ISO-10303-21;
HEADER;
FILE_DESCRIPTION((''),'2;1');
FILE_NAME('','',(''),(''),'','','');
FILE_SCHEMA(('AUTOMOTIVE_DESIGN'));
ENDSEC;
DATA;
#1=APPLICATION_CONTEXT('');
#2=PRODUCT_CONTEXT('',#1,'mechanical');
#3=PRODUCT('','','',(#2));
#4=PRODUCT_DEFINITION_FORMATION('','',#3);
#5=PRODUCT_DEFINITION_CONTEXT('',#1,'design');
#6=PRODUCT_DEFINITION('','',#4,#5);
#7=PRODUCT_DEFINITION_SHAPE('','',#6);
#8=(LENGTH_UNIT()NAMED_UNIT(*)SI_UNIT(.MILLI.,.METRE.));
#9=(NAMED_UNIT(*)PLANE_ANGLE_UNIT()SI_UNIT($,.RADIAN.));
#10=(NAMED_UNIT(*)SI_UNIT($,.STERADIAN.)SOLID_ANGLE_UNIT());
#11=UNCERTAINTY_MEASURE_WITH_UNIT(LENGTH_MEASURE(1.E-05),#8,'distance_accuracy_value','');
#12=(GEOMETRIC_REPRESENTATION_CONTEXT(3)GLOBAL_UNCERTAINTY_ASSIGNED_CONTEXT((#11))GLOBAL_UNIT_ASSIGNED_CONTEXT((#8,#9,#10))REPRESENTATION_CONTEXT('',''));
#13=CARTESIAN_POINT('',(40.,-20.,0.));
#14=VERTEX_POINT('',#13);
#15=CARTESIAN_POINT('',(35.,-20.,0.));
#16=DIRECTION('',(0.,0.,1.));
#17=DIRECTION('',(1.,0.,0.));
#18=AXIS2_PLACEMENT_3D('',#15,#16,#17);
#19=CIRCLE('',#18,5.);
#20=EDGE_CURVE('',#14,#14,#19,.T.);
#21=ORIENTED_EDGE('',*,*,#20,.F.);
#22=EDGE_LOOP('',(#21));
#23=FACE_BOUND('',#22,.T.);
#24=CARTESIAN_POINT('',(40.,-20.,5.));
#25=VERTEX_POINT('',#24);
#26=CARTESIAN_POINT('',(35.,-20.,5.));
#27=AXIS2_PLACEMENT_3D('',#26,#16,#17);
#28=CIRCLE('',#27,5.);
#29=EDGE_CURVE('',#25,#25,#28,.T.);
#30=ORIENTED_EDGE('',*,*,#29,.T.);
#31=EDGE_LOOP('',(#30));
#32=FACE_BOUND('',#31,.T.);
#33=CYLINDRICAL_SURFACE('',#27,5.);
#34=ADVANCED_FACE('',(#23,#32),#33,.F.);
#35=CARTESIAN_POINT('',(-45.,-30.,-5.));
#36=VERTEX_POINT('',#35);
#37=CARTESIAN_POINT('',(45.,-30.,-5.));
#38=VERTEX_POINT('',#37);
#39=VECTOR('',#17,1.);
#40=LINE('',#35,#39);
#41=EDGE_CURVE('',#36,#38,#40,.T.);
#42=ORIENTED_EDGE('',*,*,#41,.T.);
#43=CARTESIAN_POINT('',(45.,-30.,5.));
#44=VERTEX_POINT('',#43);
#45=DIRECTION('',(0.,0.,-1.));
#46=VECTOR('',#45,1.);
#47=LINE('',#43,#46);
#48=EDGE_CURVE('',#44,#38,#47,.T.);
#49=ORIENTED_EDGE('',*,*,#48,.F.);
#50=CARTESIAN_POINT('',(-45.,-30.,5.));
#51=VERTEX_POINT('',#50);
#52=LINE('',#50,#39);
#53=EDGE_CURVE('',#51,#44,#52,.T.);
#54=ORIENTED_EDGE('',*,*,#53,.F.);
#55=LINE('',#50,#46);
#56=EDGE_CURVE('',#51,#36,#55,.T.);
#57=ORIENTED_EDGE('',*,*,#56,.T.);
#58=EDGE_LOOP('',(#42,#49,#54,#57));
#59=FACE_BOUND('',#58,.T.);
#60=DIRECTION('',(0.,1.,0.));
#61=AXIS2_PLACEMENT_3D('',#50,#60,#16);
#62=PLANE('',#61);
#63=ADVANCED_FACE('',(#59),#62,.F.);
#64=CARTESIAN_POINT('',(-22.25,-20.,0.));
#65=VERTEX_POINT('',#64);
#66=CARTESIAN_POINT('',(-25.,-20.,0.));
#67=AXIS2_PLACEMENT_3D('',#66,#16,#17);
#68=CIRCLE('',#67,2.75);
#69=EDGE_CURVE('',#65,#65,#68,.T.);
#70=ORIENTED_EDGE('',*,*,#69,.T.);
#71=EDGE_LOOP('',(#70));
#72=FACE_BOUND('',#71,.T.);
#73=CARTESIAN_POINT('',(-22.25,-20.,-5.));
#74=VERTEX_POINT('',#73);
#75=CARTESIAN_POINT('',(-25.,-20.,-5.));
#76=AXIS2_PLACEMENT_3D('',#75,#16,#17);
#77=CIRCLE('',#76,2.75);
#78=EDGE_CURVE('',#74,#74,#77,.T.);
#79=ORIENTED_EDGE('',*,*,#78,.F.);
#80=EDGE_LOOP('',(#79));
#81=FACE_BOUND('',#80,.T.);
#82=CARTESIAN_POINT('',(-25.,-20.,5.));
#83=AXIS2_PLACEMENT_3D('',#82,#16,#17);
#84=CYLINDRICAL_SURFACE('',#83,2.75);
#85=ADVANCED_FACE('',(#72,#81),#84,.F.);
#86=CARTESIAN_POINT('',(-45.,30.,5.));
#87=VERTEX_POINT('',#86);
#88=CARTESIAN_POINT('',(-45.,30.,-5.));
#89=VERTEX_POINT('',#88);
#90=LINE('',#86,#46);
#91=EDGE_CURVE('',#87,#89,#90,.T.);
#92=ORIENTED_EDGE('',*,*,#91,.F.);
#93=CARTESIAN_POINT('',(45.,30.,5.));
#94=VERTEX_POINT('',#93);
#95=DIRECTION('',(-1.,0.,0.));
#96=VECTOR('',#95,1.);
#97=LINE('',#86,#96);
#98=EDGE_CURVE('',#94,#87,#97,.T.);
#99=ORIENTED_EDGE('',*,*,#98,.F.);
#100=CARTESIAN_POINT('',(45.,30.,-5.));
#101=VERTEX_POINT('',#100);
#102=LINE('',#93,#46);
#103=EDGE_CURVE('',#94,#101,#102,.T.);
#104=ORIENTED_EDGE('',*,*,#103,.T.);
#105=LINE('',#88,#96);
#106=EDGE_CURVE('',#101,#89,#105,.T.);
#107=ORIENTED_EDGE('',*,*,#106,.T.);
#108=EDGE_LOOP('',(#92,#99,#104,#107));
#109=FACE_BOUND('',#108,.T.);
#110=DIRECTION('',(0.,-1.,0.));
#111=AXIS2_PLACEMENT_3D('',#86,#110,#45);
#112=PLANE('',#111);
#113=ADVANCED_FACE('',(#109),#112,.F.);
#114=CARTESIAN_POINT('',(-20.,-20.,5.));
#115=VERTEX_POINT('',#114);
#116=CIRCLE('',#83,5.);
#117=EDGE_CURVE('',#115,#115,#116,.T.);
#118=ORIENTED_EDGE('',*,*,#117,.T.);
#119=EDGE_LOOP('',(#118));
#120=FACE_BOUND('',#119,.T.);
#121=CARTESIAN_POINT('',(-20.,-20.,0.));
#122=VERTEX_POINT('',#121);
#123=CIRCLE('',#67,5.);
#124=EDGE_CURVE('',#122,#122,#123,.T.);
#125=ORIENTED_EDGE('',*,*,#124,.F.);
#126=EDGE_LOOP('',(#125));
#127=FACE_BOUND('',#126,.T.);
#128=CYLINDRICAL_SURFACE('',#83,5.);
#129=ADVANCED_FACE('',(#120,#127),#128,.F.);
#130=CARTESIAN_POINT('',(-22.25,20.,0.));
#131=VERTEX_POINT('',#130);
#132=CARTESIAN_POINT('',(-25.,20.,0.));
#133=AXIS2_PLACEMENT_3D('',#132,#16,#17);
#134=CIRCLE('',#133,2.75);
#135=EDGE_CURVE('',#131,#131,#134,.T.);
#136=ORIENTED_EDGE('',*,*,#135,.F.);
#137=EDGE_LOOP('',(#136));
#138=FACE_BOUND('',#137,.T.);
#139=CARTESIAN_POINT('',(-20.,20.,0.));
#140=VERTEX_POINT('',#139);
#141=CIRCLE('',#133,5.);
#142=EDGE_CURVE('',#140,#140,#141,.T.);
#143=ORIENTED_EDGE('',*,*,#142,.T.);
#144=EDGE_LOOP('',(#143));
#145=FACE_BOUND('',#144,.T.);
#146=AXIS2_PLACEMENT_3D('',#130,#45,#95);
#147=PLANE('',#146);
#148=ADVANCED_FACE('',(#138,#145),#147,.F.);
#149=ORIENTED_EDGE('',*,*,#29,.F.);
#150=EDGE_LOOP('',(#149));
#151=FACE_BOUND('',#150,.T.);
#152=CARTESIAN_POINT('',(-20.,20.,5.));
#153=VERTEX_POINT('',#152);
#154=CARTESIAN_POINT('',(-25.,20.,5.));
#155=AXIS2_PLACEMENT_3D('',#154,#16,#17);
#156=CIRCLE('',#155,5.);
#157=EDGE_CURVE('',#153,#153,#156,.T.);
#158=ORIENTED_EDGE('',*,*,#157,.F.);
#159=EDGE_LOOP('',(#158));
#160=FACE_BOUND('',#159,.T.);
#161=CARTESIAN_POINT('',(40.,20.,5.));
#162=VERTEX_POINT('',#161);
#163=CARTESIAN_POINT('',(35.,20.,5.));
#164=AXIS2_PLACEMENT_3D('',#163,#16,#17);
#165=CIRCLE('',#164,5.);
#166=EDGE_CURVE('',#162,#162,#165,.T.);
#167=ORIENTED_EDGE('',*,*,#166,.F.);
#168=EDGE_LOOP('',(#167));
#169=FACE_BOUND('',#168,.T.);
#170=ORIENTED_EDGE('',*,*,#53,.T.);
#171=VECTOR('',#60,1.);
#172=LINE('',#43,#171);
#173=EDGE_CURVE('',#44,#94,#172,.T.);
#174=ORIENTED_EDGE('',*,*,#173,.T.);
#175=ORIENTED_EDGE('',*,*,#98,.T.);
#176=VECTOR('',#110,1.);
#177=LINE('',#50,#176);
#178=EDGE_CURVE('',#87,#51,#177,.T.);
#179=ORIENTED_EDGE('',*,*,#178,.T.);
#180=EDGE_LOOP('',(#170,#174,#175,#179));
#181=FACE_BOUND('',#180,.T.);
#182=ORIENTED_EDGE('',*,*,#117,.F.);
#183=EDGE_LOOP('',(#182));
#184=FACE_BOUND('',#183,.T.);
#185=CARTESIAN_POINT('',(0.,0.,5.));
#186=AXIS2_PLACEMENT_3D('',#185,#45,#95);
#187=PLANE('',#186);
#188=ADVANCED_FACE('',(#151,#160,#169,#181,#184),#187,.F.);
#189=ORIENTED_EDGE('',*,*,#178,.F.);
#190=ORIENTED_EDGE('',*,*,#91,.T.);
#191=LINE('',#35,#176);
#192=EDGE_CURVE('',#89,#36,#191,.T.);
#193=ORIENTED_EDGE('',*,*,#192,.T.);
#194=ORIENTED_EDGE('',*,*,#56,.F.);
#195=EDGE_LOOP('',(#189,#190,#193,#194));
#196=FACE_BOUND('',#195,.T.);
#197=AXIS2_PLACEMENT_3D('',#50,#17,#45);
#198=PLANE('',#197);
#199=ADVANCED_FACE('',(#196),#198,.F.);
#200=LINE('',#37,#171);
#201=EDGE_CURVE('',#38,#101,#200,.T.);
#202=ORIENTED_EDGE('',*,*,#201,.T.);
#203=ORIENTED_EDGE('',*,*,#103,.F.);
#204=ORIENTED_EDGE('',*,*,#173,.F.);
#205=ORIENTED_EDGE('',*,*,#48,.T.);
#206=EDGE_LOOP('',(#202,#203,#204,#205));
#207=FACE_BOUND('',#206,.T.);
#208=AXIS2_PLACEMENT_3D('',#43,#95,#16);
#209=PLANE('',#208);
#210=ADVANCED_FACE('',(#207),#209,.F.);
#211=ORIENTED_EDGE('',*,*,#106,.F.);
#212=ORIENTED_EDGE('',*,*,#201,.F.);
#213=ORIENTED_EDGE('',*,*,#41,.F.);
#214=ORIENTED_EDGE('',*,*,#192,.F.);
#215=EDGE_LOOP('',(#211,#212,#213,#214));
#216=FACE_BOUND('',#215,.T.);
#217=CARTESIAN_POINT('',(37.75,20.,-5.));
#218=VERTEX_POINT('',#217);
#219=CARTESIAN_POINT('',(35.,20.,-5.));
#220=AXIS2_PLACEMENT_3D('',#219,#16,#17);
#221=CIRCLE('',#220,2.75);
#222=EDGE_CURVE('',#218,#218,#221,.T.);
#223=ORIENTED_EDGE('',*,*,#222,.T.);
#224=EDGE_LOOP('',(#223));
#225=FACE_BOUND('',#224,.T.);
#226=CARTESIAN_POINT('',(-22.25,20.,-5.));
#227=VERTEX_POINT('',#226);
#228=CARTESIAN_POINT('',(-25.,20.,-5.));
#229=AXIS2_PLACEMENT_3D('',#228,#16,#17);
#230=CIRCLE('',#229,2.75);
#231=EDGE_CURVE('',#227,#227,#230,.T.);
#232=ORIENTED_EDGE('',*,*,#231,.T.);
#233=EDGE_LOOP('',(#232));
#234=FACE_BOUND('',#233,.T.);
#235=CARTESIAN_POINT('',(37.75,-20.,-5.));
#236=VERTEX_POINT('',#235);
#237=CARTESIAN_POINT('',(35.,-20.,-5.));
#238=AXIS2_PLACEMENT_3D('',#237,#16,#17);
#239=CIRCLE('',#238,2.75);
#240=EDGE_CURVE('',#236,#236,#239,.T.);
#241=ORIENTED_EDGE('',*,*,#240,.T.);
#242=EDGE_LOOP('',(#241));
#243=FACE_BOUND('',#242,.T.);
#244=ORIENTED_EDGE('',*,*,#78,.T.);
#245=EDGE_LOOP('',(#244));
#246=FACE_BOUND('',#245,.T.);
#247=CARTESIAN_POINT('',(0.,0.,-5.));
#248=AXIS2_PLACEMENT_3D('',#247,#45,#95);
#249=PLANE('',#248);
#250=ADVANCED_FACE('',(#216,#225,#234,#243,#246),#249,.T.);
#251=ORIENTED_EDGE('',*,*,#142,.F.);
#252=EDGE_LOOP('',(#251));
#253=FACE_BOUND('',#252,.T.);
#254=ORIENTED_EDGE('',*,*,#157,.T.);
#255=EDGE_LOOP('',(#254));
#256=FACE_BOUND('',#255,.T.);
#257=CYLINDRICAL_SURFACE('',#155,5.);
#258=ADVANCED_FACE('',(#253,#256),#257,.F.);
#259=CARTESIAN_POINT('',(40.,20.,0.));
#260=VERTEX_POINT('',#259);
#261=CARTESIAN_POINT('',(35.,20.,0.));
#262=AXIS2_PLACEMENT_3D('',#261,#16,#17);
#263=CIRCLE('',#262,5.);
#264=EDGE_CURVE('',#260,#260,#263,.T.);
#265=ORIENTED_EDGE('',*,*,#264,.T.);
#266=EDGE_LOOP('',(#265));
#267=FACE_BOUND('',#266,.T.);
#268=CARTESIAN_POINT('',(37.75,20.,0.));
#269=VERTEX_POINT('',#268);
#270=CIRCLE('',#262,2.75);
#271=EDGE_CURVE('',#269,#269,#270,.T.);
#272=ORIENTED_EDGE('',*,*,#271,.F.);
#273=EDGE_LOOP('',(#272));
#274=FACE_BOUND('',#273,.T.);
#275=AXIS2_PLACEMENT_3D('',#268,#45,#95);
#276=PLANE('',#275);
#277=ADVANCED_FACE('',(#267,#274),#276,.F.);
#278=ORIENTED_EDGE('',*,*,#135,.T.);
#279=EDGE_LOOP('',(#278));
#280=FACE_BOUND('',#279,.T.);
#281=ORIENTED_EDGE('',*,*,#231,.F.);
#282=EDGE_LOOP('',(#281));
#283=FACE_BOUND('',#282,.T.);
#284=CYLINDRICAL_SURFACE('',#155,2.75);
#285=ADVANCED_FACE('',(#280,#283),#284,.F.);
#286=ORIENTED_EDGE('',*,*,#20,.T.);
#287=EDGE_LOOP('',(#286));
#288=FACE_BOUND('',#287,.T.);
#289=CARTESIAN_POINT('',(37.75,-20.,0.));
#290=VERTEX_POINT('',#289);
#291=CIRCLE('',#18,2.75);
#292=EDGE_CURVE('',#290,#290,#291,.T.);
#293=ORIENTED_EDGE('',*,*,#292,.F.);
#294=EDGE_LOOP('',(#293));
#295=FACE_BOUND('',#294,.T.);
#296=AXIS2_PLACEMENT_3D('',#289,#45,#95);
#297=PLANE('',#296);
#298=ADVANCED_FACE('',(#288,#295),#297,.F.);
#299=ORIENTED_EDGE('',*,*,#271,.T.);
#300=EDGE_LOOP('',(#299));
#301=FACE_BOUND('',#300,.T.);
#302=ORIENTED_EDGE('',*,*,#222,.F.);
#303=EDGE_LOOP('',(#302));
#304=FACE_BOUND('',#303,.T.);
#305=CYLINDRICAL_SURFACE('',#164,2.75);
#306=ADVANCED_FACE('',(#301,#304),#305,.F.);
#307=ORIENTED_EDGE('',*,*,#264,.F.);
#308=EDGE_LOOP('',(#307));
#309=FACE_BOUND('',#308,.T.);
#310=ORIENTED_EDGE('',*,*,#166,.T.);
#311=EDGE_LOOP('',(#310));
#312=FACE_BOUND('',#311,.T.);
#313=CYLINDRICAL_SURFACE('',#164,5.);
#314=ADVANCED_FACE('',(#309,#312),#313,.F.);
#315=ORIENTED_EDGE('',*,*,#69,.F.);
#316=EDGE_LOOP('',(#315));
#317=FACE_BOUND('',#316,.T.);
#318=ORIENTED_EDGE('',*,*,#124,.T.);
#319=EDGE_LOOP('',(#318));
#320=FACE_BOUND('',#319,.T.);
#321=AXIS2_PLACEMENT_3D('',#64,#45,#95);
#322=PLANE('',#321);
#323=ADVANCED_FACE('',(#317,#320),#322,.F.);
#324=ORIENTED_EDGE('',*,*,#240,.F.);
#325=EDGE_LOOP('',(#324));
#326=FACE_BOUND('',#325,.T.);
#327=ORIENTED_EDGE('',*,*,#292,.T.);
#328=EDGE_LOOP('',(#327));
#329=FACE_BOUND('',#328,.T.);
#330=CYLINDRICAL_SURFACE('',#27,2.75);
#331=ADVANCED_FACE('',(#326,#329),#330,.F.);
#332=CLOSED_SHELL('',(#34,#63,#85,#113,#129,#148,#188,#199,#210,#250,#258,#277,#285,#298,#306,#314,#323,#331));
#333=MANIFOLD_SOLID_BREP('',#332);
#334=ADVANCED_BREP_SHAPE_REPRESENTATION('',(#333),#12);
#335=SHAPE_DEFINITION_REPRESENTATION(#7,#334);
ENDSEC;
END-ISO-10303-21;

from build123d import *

# Parameters (mm, degrees)
SKETCH1_W                      = 90
SKETCH1_H                      = 60
BOSS_EXTRUDE1_DEPTH            = 5
CBORE_FOR_M5_SHCS1_D           = 5.5
CBORE_FOR_M5_SHCS1_CBORE_D     = 10
CBORE_FOR_M5_SHCS1_CBORE_DEPTH = 5
LPATTERN1_COUNT                = 2
LPATTERN1_PITCH                = 60
LPATTERN1_COUNT_DIR2           = 2
LPATTERN1_PITCH_DIR2           = 40


with BuildPart() as part:
    # Sketch1 → Boss-Extrude1 (new body, symmetric)
    with BuildSketch(Plane.XY):
        Rectangle(SKETCH1_W, SKETCH1_H)
    extrude(amount=BOSS_EXTRUDE1_DEPTH, both=True)

    # CBORE for M5 SHCS1 (through all)
    with Locations(Plane.XY.offset(5)):
        with Locations((-25, 20)):
            cbore_for_m5_shcs1 = CounterBoreHole(CBORE_FOR_M5_SHCS1_D / 2, CBORE_FOR_M5_SHCS1_CBORE_D / 2, CBORE_FOR_M5_SHCS1_CBORE_DEPTH)

    # LPattern1: CBORE for M5 SHCS1 2 × 2
    with Locations(*[(i * LPATTERN1_PITCH, -j * LPATTERN1_PITCH_DIR2, 0) for i in range(LPATTERN1_COUNT) for j in range(LPATTERN1_COUNT_DIR2) if (i, j) != (0, 0)]):
        add(cbore_for_m5_shcs1, mode=Mode.SUBTRACT)


solid = part.part
